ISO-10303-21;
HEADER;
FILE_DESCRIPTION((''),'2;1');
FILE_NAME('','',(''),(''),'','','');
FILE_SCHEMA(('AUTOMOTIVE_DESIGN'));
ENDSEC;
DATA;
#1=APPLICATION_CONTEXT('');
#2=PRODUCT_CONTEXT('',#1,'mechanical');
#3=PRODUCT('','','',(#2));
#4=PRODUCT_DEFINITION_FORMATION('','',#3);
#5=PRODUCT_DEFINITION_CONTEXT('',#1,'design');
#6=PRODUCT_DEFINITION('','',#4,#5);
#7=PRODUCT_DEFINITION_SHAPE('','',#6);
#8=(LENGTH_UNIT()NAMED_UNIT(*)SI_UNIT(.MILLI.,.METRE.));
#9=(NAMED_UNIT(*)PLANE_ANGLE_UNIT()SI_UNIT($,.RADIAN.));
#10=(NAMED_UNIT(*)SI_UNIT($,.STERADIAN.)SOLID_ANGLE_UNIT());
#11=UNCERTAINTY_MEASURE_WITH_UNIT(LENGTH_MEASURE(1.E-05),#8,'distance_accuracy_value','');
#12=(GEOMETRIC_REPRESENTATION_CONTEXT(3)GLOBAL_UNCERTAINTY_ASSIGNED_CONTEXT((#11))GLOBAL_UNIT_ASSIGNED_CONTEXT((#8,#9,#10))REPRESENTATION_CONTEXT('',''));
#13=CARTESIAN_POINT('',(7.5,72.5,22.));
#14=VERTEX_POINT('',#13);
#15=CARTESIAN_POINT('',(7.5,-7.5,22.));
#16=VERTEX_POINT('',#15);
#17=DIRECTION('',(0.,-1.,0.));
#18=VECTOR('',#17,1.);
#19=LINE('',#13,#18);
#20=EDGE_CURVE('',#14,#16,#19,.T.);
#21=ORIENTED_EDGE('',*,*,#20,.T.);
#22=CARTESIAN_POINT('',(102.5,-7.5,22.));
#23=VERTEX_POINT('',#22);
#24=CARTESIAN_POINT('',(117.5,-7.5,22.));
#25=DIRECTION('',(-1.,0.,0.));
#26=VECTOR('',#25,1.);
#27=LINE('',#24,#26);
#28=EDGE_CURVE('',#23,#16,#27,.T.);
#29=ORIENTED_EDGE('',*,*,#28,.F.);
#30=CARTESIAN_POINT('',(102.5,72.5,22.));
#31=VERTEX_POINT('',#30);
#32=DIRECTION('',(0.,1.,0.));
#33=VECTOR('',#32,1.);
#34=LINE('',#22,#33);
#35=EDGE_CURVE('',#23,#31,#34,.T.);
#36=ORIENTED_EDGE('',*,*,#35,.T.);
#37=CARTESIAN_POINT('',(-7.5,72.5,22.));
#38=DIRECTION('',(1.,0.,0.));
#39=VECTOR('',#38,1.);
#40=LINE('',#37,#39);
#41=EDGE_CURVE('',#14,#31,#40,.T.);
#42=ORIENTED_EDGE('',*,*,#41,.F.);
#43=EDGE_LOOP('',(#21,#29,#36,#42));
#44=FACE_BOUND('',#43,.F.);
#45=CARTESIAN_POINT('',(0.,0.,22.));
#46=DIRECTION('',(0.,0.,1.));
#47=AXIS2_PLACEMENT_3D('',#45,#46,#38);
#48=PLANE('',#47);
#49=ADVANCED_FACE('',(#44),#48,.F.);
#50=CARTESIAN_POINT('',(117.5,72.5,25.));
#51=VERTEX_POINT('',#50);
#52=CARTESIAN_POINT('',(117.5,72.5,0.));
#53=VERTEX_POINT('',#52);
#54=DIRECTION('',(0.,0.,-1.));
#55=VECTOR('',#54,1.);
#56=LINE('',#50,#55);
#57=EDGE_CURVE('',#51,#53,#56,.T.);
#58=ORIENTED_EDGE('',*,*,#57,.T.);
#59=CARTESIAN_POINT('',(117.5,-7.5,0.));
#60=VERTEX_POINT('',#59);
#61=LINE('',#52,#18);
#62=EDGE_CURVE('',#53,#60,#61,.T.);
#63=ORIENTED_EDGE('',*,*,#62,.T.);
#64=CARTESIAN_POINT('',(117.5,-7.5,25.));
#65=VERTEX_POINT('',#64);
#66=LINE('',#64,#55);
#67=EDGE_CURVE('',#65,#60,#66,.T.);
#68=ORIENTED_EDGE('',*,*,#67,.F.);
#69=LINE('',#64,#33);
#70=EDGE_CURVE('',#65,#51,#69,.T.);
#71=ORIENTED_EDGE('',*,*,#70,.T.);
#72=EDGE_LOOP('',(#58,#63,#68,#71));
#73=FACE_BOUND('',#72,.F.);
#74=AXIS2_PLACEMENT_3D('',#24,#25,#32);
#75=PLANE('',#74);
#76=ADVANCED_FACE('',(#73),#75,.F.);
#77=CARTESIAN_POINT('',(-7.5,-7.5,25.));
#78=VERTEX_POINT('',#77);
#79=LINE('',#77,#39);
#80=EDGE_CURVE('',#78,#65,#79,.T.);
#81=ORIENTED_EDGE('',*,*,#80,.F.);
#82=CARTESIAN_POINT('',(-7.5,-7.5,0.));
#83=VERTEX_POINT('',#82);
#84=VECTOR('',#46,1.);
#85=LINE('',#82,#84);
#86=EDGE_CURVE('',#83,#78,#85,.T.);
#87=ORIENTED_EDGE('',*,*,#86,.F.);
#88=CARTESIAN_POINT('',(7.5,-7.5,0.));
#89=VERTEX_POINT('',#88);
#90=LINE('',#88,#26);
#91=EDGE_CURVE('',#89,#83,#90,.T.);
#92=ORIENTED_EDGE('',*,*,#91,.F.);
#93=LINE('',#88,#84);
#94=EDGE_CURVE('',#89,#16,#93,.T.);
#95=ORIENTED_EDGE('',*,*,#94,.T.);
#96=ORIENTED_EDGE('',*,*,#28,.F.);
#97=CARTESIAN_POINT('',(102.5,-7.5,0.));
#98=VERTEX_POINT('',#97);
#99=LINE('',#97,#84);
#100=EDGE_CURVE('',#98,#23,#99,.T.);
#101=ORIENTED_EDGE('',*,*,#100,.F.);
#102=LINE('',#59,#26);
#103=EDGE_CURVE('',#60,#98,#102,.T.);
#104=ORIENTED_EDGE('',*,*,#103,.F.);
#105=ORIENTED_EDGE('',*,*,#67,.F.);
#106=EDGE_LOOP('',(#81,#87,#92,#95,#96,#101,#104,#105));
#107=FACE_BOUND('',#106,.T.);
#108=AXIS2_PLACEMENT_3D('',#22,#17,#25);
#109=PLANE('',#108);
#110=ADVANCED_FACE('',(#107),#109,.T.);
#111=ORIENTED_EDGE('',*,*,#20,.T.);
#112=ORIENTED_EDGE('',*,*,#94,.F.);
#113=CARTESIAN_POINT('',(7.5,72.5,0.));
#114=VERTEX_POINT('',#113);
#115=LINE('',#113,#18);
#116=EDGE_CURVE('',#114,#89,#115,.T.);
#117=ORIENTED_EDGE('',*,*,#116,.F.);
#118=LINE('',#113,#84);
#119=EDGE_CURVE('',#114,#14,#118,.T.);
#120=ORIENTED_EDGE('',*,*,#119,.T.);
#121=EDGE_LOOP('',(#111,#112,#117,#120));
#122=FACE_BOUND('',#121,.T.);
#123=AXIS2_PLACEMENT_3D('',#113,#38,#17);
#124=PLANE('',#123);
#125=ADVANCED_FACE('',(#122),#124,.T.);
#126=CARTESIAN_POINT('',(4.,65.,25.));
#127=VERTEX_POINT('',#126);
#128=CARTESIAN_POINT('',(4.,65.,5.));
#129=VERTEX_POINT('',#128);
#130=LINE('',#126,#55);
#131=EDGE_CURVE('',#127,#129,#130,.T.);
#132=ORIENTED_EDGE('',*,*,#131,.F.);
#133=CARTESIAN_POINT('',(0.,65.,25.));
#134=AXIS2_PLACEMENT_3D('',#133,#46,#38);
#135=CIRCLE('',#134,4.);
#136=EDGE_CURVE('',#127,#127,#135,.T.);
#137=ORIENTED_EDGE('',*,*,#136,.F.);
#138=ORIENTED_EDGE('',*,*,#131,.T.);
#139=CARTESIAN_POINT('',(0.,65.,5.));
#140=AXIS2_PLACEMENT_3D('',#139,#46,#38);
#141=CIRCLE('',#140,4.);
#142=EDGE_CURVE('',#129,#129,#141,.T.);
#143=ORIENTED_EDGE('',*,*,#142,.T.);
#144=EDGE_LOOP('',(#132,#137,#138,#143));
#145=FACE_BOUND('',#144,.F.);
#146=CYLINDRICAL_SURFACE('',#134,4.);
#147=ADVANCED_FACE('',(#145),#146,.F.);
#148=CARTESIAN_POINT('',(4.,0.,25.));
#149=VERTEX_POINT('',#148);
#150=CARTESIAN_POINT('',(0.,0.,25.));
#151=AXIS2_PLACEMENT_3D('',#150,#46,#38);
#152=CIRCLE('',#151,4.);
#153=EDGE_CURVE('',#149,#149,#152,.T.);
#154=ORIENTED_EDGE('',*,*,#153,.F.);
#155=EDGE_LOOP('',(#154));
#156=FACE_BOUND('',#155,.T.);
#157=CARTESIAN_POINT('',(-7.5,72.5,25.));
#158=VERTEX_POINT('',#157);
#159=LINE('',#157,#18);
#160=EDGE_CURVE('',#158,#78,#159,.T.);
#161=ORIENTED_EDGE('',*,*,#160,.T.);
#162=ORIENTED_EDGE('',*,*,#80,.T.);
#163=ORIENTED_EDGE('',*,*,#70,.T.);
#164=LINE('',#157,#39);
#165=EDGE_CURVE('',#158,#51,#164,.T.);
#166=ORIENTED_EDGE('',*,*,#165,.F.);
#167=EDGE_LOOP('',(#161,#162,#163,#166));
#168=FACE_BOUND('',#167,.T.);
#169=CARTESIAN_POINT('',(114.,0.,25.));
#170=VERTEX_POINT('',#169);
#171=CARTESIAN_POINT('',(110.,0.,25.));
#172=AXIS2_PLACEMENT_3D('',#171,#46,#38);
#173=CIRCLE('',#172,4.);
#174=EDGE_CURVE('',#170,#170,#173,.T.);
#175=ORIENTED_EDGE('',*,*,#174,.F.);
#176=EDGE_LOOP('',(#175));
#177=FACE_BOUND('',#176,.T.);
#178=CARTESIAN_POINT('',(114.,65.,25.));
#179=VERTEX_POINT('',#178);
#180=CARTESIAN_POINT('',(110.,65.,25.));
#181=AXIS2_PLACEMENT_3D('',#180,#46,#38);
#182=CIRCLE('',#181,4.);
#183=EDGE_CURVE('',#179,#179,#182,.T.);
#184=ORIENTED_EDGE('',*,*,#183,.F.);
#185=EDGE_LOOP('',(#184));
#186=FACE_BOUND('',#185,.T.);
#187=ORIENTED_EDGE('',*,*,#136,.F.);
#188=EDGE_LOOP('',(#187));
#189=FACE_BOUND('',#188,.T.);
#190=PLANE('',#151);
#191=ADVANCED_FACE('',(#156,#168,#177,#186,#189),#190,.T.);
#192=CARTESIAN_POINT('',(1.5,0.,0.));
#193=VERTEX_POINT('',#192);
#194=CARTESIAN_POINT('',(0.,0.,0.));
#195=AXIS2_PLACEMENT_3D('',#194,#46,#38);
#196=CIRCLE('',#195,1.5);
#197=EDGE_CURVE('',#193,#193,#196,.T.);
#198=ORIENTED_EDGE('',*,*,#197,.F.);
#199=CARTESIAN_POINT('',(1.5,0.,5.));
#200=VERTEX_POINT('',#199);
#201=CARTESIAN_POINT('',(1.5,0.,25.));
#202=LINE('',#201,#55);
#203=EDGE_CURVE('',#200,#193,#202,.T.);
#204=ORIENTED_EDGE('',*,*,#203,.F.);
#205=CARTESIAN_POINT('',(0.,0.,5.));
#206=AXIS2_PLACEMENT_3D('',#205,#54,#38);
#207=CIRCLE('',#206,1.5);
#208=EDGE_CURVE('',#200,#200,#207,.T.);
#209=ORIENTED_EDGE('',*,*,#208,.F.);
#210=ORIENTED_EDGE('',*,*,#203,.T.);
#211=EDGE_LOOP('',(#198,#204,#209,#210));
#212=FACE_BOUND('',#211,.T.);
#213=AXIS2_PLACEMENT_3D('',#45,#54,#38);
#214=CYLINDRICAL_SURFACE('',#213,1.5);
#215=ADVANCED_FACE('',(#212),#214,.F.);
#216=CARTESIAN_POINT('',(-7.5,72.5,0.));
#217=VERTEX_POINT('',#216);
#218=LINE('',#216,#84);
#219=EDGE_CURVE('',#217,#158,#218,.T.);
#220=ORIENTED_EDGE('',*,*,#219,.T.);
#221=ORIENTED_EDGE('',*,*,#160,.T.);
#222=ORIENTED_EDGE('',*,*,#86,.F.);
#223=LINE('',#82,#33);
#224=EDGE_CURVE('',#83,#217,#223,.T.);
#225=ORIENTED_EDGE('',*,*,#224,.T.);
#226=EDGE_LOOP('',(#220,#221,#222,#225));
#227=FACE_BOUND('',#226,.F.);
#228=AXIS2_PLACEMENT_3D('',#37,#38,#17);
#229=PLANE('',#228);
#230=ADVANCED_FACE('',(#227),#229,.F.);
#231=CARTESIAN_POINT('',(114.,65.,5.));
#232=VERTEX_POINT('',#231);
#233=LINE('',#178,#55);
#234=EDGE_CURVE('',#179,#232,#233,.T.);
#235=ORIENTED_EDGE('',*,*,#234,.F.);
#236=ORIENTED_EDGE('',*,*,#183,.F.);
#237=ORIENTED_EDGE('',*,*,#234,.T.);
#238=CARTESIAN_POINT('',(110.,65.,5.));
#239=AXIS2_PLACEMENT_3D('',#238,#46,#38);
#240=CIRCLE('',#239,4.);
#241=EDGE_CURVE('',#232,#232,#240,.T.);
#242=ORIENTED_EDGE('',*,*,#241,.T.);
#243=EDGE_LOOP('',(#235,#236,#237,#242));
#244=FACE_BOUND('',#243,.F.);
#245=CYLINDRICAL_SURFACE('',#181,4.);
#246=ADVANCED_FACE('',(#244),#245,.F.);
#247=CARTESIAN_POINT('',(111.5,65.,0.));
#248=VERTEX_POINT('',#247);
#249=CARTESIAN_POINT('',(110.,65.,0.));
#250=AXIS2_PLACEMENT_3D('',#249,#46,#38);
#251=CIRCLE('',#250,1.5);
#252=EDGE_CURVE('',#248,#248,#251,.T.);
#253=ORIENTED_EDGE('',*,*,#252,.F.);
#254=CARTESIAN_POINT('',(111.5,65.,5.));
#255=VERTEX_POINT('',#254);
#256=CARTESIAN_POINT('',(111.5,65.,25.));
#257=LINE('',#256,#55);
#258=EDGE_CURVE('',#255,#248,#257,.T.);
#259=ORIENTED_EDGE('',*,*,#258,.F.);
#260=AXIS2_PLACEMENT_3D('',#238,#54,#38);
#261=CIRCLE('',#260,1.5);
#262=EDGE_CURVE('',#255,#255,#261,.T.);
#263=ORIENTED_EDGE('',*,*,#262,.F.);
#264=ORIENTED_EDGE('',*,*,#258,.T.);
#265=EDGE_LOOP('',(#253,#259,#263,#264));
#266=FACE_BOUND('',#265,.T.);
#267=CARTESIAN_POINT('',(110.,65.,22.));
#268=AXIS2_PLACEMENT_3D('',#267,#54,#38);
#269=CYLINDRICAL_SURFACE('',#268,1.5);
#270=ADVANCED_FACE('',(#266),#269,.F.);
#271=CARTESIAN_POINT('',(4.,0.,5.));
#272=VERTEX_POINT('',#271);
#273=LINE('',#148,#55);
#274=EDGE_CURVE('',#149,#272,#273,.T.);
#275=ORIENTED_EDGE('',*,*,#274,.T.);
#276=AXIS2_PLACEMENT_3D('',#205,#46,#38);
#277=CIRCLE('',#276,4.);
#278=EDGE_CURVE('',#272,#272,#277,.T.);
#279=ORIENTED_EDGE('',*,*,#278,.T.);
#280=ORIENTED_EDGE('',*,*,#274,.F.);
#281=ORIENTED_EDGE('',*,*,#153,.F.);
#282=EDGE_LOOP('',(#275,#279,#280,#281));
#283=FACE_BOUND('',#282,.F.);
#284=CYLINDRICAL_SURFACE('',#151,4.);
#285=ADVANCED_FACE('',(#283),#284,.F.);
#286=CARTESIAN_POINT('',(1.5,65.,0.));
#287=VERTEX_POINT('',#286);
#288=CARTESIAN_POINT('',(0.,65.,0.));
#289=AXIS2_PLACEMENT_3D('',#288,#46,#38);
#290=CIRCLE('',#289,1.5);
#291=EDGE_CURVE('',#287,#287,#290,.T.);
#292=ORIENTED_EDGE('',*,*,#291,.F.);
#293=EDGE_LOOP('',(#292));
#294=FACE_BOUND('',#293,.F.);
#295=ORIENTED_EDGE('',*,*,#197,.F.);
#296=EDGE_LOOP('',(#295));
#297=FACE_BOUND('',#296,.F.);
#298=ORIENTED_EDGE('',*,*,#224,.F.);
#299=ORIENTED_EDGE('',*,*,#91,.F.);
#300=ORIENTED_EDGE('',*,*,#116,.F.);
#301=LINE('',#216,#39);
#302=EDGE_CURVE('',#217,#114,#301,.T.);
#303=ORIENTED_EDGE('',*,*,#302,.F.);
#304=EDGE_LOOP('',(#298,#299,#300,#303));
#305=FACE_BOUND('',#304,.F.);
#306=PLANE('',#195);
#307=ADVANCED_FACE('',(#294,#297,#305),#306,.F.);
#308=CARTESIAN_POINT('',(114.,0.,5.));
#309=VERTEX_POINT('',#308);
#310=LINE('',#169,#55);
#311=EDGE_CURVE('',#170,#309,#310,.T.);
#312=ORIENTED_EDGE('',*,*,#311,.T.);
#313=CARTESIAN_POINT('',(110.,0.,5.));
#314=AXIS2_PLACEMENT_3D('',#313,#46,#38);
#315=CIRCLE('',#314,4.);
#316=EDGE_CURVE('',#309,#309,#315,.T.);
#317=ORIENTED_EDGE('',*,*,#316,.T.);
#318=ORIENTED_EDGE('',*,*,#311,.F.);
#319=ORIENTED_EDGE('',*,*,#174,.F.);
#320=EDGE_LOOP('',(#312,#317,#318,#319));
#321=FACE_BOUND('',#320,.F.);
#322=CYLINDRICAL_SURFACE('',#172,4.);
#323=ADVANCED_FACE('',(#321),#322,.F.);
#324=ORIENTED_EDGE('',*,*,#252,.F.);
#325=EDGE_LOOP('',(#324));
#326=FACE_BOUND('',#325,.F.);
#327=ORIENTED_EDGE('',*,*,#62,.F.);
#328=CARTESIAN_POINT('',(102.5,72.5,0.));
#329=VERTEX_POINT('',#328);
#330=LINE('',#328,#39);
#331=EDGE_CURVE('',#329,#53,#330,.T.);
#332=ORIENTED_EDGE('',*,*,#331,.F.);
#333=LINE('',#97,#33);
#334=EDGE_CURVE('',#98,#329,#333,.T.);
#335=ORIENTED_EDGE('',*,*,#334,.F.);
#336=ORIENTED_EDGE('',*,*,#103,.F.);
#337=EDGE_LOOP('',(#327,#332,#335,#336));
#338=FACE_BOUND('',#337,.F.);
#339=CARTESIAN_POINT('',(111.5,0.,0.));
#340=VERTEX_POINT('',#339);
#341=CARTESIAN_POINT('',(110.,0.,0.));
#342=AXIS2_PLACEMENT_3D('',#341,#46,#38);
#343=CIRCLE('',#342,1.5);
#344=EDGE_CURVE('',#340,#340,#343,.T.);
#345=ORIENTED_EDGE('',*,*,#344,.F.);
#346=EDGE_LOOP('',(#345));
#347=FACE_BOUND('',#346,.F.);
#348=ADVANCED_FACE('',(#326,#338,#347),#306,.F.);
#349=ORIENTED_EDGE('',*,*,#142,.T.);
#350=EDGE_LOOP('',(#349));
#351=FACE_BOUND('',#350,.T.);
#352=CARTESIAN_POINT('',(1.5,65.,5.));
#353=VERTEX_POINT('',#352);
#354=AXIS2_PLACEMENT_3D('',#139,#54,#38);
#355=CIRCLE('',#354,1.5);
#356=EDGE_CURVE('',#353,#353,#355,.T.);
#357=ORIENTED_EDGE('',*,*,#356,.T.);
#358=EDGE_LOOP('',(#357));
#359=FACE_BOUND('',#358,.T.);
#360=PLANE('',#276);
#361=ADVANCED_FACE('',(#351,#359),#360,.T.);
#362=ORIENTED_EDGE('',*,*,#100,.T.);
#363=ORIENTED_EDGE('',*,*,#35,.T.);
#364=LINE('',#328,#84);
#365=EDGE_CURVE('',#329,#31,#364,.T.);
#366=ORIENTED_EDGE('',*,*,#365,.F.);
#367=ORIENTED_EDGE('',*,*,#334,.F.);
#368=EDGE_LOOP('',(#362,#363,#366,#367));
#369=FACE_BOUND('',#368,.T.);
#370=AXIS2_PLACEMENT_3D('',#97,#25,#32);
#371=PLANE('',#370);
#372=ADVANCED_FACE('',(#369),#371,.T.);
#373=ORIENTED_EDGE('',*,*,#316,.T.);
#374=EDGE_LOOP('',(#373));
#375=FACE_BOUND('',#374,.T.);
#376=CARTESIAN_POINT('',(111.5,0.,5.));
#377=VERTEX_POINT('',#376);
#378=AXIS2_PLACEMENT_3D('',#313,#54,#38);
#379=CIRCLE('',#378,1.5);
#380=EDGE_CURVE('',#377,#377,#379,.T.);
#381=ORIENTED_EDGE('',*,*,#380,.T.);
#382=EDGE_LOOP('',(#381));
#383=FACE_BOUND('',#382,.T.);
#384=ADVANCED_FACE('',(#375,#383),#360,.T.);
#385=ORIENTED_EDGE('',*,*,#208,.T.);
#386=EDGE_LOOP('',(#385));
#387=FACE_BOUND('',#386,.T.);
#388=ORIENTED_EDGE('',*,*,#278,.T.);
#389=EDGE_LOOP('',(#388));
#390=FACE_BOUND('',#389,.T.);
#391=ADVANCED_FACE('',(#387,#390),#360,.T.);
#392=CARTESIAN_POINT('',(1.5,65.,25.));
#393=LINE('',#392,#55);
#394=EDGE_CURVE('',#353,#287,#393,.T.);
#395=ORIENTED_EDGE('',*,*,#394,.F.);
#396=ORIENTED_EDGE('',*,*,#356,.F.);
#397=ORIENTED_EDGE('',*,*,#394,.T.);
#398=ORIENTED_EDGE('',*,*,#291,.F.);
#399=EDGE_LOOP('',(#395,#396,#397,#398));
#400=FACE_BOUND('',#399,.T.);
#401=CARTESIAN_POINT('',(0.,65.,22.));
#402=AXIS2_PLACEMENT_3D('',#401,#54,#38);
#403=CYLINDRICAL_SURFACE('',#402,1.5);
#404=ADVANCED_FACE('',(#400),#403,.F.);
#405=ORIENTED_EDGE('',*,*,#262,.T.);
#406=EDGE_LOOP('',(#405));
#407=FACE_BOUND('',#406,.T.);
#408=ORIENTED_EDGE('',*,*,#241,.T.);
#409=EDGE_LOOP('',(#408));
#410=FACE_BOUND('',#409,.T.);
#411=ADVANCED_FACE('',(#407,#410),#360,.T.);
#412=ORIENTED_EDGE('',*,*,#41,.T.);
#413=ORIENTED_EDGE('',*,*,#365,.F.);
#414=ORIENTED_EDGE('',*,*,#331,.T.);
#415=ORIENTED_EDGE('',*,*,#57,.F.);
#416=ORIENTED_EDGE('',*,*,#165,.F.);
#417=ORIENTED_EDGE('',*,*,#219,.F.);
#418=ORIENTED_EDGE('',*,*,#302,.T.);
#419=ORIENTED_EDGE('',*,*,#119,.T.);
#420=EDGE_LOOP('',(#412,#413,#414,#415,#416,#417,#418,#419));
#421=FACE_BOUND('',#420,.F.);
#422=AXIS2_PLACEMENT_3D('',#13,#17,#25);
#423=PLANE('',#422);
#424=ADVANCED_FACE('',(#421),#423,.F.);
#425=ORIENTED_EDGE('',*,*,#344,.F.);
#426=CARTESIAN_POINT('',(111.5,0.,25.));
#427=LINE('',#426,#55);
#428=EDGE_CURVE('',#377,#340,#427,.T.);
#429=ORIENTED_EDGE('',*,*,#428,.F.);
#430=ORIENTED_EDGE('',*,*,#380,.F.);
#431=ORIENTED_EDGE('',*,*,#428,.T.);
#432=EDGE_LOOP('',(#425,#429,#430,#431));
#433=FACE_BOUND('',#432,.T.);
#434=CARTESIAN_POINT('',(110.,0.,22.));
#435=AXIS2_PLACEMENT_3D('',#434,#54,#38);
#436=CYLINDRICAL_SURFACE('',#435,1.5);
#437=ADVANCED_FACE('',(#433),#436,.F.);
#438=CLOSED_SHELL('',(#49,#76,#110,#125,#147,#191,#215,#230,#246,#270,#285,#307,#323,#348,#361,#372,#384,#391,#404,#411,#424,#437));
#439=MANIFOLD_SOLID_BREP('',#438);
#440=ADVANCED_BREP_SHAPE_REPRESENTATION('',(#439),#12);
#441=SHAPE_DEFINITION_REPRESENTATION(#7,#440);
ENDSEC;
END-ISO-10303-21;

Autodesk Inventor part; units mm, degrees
ref_plane "YZ Plane" through (0, 0, 0) normal (1, 0, 0) x (0, 1, 0)
ref_plane "XZ Plane" through (0, 0, 0) normal (0, 1, 0) x (-1, 0, 0)
ref_plane "XY Plane" through (0, 0, 0) normal (0, 0, 1) x (1, 0, 0)
sketch "Sketch1" plane through (0, 0, 0) normal (0, 0, 1) x (1, 0, 0)
  line L0 (0, 0) -> (110, 0) construction
  line L1 (110, 0) -> (110, 65) construction
  line L2 (110, 65) -> (0, 65) construction
  line L3 (0, 65) -> (0, 0) construction
  circle A0 centre (0, 65) radius 1.5
  circle A1 centre (0, 0) radius 1.5
  circle A2 centre (110, 0) radius 1.5
  circle A3 centre (110, 65) radius 1.5
  line L4 (-7.5, 72.5) -> (7.5, 72.5)
  line L5 (7.5, 72.5) -> (7.5, -7.5)
  line L6 (7.5, -7.5) -> (-7.5, -7.5)
  line L7 (-7.5, -7.5) -> (-7.5, 72.5)
  line L8 (102.5, 72.5) -> (117.5, 72.5)
  line L9 (117.5, 72.5) -> (117.5, -7.5)
  line L10 (117.5, -7.5) -> (102.5, -7.5)
  line L11 (102.5, -7.5) -> (102.5, 72.5)
  point P0 (7.5, 32.5)
  point P1 (0, 32.5)
  point P2 (102.5, 32.5)
  point P3 (110, 32.5)
  point P4 (0, 72.5)
  point P5 (110, 72.5)
  dimension "d0" = 110
  dimension "d1" = 65
  dimension "d2" = 3
  dimension "d3" = 3
  dimension "d4" = 3
  dimension "d5" = 3
  dimension "d6" = 15
  dimension "d7" = 15
  dimension "d8" = 80
extrude "Extrusion1" add sketch "Sketch1" along normal blind 22
sketch "Sketch2" plane through (0, 0, 22) normal (0, 0, 1) x (1, 0, 0)
  circle A0 centre (0, 65) radius 1.5 projected
  circle A1 centre (0, 0) radius 1.5 projected
  circle A2 centre (110, 0) radius 1.5 projected
  circle A3 centre (110, 65) radius 1.5 projected
  line L0 (-7.5, 72.5) -> (-7.5, -7.5) projected
  line L1 (7.5, 72.5) -> (-7.5, 72.5) projected
  line L2 (102.5, -7.5) -> (117.5, -7.5) projected
  line L3 (117.5, -7.5) -> (117.5, 72.5) projected
  line L4 (-7.5, 72.5) -> (117.5, 72.5)
  line L5 (117.5, 72.5) -> (117.5, -7.5)
  line L6 (117.5, -7.5) -> (-7.5, -7.5)
  line L7 (-7.5, -7.5) -> (-7.5, 72.5)
extrude "Extrusion2" add sketch "Sketch2" along normal blind 3
sketch "Sketch3" plane through (0, 0, 25) normal (0, 0, 1) x (1, 0, 0)
  circle A0 centre (0, 65) radius 1.5 projected
  circle A1 centre (110, 65) radius 1.5 projected
  circle A2 centre (110, 0) radius 1.5 projected
  circle A3 centre (0, 0) radius 1.5 projected
  circle A4 centre (0, 65) radius 1.5 projected
  circle A5 centre (0, 65) radius 4
  circle A6 centre (0, 0) radius 1.5 projected
  circle A7 centre (0, 0) radius 4
  circle A8 centre (110, 0) radius 1.5 projected
  circle A9 centre (110, 0) radius 4
  circle A10 centre (110, 65) radius 4
  dimension "d13" = 8
  dimension "d14" = 8
  dimension "d15" = 8
  dimension "d16" = 8
extrude "Extrusion3" cut sketch "Sketch3" against normal blind 20 contours A0 | A1 | A2 | A3 | A5 | A7 | A9 | A10
properties part number "BP010" material "ABS Plastic"
